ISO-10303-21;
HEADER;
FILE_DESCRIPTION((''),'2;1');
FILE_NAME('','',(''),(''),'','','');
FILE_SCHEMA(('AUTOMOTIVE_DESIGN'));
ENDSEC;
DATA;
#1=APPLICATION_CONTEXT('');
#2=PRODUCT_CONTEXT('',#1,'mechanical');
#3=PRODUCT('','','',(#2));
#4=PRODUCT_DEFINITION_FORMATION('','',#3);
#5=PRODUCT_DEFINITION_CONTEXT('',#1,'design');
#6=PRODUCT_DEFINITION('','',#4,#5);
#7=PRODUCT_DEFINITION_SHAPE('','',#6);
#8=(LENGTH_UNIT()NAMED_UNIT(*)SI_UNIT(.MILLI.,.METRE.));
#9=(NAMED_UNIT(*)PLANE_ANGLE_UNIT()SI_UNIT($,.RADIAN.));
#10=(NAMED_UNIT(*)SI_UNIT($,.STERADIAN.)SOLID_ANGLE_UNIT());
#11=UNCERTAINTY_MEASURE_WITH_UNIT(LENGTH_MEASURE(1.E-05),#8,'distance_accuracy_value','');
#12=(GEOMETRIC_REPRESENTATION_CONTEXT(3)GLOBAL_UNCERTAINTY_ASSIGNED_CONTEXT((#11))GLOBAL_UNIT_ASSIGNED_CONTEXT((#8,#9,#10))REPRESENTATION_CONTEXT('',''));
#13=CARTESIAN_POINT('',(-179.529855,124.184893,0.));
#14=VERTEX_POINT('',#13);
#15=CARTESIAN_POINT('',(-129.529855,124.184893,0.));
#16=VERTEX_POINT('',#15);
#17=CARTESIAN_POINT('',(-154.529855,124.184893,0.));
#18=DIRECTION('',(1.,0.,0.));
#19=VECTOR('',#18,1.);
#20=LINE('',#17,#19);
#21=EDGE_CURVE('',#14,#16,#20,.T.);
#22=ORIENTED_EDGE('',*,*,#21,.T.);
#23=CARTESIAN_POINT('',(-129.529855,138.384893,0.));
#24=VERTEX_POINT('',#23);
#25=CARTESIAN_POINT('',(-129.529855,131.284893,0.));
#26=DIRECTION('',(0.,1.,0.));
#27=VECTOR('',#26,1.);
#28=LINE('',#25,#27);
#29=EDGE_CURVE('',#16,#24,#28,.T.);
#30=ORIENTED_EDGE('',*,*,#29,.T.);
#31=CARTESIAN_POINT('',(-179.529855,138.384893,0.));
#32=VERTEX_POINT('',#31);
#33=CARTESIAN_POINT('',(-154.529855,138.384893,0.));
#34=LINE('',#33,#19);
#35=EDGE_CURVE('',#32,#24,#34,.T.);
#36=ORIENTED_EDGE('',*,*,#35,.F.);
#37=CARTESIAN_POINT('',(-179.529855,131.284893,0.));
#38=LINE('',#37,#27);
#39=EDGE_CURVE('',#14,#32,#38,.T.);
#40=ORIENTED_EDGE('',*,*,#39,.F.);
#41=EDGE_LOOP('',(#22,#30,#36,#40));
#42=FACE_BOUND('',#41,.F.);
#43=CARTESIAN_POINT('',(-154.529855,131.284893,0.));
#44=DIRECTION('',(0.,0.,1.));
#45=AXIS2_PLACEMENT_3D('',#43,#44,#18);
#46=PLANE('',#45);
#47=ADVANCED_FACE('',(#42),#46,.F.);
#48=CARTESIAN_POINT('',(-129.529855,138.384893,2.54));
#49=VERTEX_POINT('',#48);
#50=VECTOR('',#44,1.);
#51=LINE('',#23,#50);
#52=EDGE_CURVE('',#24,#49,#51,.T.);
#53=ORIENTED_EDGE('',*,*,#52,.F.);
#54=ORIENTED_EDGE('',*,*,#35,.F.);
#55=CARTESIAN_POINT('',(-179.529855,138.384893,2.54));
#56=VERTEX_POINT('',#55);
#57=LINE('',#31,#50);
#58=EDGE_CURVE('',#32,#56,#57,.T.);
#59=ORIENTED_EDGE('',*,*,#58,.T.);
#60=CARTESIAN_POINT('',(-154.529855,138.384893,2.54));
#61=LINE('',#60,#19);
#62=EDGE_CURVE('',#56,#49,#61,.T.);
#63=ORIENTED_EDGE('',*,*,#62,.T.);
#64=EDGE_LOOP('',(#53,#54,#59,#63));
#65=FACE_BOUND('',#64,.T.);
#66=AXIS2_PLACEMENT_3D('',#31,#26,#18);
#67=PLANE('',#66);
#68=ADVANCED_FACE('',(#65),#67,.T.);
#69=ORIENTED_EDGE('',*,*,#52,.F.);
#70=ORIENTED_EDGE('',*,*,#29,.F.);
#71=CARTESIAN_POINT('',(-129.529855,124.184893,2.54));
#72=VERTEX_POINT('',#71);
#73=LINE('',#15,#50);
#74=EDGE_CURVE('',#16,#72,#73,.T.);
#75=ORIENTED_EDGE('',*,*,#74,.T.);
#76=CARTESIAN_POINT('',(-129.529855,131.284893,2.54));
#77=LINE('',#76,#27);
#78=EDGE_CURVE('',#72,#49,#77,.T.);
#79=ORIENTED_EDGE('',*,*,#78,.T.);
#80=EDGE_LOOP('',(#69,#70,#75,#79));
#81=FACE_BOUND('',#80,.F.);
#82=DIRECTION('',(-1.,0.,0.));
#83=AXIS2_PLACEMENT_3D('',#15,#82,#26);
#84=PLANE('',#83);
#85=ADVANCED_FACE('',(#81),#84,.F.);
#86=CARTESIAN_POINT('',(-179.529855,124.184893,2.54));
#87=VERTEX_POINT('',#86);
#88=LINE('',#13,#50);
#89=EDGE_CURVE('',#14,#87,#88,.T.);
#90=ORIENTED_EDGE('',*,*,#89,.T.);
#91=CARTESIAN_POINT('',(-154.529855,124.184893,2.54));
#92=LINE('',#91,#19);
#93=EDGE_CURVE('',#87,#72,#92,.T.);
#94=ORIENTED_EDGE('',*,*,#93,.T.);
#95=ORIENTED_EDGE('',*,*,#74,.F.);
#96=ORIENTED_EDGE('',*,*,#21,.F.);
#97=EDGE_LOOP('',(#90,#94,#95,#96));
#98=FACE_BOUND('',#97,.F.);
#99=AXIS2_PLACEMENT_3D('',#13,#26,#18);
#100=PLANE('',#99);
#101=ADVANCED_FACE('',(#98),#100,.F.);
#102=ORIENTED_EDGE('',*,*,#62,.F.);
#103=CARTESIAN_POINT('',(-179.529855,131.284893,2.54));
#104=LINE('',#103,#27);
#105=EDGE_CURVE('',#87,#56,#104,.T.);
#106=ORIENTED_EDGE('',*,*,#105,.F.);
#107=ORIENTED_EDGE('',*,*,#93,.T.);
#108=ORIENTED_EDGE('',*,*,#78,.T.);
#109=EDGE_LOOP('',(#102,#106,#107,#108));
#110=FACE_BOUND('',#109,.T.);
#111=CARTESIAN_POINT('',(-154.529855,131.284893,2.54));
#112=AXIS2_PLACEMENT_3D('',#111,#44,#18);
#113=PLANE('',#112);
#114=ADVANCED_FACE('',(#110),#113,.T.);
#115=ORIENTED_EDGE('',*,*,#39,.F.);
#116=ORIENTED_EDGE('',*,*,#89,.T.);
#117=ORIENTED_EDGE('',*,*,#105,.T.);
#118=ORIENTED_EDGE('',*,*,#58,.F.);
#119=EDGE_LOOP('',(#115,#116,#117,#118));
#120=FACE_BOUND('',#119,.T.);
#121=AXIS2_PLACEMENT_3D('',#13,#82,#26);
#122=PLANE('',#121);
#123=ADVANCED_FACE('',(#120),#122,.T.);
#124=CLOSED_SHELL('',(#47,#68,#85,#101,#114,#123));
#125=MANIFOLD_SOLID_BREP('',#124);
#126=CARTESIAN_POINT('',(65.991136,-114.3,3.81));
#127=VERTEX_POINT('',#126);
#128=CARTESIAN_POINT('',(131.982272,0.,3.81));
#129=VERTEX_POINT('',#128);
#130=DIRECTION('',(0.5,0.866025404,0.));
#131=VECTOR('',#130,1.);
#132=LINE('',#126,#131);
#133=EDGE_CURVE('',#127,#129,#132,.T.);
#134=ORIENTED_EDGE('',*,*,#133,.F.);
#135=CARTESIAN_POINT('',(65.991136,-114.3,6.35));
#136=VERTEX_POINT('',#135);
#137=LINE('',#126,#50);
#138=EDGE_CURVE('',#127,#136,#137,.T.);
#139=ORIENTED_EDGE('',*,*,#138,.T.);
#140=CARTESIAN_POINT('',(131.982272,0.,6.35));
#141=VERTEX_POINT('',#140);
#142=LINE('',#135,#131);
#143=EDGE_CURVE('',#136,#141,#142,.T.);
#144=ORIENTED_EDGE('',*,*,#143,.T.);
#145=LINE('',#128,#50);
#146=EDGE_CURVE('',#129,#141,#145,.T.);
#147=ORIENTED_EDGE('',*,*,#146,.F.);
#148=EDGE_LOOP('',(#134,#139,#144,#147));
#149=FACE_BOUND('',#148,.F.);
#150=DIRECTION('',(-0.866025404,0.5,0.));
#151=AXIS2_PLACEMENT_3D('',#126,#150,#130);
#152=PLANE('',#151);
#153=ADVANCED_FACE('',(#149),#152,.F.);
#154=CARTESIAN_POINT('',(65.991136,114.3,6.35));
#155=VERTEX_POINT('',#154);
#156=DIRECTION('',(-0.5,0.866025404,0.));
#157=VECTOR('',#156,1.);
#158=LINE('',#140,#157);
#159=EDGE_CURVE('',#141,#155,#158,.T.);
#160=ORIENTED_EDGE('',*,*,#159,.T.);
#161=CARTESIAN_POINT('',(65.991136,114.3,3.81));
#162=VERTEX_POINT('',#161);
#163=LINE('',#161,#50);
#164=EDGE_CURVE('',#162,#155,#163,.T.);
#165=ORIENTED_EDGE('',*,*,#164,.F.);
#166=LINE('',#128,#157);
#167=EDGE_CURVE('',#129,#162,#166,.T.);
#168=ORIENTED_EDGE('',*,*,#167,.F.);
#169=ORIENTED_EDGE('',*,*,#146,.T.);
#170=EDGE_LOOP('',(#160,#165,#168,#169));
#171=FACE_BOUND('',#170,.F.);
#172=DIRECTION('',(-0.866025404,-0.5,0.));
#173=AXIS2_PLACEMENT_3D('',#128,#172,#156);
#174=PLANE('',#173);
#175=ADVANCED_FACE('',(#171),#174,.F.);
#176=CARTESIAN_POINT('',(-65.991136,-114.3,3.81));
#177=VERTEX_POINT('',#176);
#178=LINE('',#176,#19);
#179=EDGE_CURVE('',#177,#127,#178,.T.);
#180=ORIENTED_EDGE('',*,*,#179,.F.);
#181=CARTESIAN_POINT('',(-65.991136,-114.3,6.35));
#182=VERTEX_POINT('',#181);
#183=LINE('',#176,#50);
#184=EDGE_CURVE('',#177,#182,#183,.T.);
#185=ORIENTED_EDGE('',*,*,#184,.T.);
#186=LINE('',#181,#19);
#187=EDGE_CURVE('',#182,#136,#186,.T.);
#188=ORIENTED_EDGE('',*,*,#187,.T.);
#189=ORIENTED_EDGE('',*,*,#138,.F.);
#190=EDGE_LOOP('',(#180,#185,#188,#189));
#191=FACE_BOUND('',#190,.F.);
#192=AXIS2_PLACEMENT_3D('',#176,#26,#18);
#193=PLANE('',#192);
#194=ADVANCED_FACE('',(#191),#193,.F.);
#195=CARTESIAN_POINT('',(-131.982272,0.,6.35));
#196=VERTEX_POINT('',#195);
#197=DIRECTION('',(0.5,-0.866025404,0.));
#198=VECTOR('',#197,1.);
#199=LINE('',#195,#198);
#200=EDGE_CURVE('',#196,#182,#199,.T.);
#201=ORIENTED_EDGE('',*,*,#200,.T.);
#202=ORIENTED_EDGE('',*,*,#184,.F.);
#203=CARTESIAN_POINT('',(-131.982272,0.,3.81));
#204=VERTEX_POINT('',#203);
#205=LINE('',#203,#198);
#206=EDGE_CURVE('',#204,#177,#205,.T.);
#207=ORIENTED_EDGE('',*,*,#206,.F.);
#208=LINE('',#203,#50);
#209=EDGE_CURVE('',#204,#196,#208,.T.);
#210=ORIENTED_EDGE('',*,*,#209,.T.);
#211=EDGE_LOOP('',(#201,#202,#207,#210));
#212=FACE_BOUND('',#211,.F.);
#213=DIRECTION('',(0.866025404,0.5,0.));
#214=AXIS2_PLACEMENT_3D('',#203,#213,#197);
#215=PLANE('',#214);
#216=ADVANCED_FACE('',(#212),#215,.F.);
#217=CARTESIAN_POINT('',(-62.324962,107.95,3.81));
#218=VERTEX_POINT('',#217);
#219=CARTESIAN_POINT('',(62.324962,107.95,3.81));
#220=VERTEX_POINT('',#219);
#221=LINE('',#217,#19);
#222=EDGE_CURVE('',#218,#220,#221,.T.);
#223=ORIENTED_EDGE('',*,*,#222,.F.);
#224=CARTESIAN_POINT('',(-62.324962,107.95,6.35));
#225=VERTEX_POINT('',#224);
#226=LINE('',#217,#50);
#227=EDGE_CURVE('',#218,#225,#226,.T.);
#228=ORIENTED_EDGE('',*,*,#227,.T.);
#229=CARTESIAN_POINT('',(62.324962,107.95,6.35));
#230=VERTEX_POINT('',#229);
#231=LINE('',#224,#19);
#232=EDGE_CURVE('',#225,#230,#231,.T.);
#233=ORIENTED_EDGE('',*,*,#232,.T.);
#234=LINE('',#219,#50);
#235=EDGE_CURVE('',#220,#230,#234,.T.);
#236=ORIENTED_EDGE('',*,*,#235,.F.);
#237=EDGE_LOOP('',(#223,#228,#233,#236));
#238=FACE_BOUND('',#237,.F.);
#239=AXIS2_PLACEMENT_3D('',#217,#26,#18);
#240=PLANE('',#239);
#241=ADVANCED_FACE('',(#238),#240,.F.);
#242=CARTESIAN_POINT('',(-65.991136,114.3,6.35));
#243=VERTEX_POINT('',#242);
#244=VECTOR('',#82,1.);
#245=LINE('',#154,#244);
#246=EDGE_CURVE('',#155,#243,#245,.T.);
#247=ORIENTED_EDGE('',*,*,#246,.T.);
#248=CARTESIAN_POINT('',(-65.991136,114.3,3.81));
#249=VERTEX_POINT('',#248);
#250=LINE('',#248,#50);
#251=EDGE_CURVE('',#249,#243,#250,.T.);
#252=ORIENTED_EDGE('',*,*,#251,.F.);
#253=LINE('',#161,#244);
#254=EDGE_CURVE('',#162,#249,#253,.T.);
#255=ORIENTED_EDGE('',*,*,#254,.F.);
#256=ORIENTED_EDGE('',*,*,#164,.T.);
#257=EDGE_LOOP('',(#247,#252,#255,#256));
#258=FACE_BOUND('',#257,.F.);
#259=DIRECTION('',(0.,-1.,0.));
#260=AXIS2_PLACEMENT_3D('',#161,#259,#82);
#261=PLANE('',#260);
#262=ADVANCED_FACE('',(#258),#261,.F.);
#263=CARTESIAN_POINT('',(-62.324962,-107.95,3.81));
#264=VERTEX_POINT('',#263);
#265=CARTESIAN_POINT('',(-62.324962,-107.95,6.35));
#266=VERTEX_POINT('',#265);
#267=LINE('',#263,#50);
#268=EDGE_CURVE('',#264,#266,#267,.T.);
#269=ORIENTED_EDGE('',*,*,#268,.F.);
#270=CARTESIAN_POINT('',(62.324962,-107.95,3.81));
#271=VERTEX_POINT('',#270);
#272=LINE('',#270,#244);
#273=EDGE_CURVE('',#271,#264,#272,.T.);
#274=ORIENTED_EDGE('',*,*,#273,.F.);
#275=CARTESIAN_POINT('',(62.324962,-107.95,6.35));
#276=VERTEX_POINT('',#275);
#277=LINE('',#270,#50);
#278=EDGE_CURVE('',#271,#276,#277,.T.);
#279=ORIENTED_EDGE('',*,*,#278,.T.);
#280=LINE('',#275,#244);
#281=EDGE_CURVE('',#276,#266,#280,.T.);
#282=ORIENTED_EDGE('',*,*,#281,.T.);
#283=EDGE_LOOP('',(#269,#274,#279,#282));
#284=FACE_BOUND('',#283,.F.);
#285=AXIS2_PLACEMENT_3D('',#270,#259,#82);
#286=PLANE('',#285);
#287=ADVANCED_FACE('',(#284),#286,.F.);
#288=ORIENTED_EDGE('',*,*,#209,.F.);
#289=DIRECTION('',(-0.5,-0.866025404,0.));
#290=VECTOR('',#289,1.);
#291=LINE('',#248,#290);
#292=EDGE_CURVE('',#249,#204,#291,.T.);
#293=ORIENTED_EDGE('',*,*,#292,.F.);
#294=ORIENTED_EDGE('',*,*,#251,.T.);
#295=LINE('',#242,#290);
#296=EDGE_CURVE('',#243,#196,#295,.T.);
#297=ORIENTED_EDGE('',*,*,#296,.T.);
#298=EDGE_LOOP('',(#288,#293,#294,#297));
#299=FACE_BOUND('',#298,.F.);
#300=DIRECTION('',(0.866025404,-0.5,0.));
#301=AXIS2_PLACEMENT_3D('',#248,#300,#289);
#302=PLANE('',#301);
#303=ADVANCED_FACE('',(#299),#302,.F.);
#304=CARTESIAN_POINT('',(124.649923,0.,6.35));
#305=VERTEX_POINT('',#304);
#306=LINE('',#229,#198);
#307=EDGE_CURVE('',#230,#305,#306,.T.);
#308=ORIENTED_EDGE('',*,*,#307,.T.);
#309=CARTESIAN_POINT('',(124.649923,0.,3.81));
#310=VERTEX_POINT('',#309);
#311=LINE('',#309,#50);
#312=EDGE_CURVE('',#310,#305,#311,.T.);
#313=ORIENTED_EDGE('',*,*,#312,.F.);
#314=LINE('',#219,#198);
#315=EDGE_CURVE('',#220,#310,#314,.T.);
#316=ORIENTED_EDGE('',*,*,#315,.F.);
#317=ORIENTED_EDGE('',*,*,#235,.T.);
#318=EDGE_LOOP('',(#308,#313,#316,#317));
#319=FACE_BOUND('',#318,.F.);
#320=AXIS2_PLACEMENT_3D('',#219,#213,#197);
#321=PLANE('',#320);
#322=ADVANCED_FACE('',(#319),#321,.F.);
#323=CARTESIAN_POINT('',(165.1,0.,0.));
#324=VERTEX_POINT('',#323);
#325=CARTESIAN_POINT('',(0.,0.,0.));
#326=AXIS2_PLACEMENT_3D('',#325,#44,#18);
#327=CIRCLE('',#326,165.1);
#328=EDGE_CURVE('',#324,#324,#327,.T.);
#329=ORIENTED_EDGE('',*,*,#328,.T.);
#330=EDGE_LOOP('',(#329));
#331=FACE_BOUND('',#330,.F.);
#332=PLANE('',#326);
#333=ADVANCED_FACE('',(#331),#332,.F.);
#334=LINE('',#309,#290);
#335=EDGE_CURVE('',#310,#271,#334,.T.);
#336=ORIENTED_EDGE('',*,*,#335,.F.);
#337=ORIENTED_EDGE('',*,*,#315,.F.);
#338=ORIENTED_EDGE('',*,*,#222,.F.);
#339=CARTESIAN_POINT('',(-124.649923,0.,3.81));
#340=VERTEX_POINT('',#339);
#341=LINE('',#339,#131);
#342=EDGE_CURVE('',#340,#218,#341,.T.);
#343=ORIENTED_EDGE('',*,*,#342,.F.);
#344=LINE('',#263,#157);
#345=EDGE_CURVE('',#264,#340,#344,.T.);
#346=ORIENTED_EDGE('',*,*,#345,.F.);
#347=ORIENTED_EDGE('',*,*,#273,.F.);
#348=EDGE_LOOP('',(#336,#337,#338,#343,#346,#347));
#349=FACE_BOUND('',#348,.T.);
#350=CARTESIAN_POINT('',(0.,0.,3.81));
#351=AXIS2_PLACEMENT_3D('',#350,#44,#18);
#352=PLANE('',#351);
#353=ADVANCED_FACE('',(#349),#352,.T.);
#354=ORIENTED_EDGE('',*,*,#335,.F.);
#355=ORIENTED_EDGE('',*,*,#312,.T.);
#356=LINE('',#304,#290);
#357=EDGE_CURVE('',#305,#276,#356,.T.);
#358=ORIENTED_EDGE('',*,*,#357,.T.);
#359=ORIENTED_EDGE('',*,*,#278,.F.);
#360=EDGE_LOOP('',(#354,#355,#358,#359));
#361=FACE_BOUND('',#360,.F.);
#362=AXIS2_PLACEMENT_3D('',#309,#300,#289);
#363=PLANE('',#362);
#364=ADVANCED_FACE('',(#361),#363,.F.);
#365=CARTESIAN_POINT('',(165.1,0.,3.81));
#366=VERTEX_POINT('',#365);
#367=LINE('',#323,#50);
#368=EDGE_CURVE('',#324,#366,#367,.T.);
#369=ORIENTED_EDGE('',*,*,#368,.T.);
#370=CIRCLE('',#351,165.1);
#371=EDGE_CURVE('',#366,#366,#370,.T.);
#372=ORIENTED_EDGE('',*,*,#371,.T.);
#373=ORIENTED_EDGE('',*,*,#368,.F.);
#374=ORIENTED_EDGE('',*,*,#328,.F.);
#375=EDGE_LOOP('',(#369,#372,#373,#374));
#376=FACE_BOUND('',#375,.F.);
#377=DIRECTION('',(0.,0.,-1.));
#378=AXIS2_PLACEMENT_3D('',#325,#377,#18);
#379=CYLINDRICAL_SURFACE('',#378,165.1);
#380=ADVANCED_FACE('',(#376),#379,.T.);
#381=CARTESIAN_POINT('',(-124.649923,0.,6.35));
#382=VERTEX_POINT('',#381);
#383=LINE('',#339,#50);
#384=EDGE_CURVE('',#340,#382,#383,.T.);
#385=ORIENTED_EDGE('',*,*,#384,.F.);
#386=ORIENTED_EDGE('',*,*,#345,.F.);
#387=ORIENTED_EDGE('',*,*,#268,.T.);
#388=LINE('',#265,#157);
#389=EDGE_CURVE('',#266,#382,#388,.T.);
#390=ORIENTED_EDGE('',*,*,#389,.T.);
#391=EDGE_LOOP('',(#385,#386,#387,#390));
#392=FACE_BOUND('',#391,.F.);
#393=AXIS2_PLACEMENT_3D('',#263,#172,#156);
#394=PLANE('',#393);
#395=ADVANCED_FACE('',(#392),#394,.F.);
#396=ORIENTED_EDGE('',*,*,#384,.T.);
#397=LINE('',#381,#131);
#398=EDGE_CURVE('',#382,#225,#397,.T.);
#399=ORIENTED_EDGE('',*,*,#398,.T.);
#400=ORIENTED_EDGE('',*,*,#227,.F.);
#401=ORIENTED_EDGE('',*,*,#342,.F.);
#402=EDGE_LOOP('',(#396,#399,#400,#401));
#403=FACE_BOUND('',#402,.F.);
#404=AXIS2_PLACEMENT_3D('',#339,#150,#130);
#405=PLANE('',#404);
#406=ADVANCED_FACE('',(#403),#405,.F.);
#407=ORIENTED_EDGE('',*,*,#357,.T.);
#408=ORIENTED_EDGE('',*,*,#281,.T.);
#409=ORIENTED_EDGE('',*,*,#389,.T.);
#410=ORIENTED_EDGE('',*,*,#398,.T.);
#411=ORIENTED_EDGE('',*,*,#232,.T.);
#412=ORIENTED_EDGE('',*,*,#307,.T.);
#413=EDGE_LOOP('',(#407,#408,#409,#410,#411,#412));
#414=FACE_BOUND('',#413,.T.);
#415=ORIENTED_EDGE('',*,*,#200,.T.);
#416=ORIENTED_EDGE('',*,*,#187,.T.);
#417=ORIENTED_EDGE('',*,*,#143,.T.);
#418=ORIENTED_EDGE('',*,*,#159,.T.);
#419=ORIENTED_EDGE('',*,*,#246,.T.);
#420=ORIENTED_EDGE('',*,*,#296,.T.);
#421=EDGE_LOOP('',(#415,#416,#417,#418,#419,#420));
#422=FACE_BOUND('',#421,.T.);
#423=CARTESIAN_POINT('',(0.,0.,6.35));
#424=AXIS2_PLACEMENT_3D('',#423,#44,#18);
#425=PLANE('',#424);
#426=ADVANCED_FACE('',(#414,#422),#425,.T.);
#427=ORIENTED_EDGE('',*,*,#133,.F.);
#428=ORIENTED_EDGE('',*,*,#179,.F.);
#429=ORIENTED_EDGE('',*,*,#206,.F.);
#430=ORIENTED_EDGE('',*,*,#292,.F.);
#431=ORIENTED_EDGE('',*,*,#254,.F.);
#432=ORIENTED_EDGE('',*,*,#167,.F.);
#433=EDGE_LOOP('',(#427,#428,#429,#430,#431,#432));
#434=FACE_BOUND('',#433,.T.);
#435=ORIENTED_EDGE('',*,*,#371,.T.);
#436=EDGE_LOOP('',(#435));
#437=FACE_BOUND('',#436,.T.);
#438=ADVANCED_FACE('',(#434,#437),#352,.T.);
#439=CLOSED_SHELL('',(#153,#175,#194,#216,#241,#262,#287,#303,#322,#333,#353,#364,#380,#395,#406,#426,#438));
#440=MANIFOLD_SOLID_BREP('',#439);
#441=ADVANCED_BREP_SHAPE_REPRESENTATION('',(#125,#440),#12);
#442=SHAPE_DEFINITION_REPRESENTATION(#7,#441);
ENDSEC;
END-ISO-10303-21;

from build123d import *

# Parameters (mm, degrees)
F0_R     = 165.1
F2_DEPTH = 3.81
F1_W     = 50
F1_H     = 14.2
F3_DEPTH = 2.54
F5_DEPTH = 2.54


with BuildPart() as f2:
    # F0 (on Top) → F2 (new body)
    with BuildSketch(Plane.XY):
        Circle(F0_R)
        Polygon((-65.9911357684, -114.3), (-131.9822715367, 0), (-65.9911357684, 114.3), (65.9911357684, 114.3), (131.9822715367, 0), (65.9911357684, -114.3), align=None, mode=Mode.SUBTRACT)
        Polygon((-65.9911357684, 114.3), (-131.9822715367, 0), (-65.9911357684, -114.3), (65.9911357684, -114.3), (131.9822715367, 0), (65.9911357684, 114.3), align=None)
        Polygon((-62.324961559, -107.95), (-124.649923118, 0), (-62.324961559, 107.95), (62.324961559, 107.95), (124.649923118, 0), (62.324961559, -107.95), align=None, mode=Mode.SUBTRACT)
        Polygon((-62.324961559, 107.95), (-124.649923118, 0), (-62.324961559, -107.95), (62.324961559, -107.95), (124.649923118, 0), (62.324961559, 107.95), align=None)
    extrude(amount=F2_DEPTH)

    # F4 (on face) → F5 (join)
    with BuildSketch(Plane.XY.offset(3.81)):
        Polygon((-65.9911357684, 114.3), (-131.9822715367, 0), (-65.9911357684, -114.3), (65.9911357684, -114.3), (131.9822715367, 0), (65.9911357684, 114.3), align=None)
        Polygon((-62.324961559, -107.95), (-124.649923118, 0), (-62.324961559, 107.95), (62.324961559, 107.95), (124.649923118, 0), (62.324961559, -107.95), align=None, mode=Mode.SUBTRACT)
    extrude(amount=F5_DEPTH)


with BuildPart() as f3:
    # F1 (on face) → F3 (new body)
    with BuildSketch(Plane.XY):
        with Locations((-154.5298546553, 131.2848925591)):
            Rectangle(F1_W, F1_H)
    extrude(amount=F3_DEPTH)


solid = Compound([f2.part, f3.part])
